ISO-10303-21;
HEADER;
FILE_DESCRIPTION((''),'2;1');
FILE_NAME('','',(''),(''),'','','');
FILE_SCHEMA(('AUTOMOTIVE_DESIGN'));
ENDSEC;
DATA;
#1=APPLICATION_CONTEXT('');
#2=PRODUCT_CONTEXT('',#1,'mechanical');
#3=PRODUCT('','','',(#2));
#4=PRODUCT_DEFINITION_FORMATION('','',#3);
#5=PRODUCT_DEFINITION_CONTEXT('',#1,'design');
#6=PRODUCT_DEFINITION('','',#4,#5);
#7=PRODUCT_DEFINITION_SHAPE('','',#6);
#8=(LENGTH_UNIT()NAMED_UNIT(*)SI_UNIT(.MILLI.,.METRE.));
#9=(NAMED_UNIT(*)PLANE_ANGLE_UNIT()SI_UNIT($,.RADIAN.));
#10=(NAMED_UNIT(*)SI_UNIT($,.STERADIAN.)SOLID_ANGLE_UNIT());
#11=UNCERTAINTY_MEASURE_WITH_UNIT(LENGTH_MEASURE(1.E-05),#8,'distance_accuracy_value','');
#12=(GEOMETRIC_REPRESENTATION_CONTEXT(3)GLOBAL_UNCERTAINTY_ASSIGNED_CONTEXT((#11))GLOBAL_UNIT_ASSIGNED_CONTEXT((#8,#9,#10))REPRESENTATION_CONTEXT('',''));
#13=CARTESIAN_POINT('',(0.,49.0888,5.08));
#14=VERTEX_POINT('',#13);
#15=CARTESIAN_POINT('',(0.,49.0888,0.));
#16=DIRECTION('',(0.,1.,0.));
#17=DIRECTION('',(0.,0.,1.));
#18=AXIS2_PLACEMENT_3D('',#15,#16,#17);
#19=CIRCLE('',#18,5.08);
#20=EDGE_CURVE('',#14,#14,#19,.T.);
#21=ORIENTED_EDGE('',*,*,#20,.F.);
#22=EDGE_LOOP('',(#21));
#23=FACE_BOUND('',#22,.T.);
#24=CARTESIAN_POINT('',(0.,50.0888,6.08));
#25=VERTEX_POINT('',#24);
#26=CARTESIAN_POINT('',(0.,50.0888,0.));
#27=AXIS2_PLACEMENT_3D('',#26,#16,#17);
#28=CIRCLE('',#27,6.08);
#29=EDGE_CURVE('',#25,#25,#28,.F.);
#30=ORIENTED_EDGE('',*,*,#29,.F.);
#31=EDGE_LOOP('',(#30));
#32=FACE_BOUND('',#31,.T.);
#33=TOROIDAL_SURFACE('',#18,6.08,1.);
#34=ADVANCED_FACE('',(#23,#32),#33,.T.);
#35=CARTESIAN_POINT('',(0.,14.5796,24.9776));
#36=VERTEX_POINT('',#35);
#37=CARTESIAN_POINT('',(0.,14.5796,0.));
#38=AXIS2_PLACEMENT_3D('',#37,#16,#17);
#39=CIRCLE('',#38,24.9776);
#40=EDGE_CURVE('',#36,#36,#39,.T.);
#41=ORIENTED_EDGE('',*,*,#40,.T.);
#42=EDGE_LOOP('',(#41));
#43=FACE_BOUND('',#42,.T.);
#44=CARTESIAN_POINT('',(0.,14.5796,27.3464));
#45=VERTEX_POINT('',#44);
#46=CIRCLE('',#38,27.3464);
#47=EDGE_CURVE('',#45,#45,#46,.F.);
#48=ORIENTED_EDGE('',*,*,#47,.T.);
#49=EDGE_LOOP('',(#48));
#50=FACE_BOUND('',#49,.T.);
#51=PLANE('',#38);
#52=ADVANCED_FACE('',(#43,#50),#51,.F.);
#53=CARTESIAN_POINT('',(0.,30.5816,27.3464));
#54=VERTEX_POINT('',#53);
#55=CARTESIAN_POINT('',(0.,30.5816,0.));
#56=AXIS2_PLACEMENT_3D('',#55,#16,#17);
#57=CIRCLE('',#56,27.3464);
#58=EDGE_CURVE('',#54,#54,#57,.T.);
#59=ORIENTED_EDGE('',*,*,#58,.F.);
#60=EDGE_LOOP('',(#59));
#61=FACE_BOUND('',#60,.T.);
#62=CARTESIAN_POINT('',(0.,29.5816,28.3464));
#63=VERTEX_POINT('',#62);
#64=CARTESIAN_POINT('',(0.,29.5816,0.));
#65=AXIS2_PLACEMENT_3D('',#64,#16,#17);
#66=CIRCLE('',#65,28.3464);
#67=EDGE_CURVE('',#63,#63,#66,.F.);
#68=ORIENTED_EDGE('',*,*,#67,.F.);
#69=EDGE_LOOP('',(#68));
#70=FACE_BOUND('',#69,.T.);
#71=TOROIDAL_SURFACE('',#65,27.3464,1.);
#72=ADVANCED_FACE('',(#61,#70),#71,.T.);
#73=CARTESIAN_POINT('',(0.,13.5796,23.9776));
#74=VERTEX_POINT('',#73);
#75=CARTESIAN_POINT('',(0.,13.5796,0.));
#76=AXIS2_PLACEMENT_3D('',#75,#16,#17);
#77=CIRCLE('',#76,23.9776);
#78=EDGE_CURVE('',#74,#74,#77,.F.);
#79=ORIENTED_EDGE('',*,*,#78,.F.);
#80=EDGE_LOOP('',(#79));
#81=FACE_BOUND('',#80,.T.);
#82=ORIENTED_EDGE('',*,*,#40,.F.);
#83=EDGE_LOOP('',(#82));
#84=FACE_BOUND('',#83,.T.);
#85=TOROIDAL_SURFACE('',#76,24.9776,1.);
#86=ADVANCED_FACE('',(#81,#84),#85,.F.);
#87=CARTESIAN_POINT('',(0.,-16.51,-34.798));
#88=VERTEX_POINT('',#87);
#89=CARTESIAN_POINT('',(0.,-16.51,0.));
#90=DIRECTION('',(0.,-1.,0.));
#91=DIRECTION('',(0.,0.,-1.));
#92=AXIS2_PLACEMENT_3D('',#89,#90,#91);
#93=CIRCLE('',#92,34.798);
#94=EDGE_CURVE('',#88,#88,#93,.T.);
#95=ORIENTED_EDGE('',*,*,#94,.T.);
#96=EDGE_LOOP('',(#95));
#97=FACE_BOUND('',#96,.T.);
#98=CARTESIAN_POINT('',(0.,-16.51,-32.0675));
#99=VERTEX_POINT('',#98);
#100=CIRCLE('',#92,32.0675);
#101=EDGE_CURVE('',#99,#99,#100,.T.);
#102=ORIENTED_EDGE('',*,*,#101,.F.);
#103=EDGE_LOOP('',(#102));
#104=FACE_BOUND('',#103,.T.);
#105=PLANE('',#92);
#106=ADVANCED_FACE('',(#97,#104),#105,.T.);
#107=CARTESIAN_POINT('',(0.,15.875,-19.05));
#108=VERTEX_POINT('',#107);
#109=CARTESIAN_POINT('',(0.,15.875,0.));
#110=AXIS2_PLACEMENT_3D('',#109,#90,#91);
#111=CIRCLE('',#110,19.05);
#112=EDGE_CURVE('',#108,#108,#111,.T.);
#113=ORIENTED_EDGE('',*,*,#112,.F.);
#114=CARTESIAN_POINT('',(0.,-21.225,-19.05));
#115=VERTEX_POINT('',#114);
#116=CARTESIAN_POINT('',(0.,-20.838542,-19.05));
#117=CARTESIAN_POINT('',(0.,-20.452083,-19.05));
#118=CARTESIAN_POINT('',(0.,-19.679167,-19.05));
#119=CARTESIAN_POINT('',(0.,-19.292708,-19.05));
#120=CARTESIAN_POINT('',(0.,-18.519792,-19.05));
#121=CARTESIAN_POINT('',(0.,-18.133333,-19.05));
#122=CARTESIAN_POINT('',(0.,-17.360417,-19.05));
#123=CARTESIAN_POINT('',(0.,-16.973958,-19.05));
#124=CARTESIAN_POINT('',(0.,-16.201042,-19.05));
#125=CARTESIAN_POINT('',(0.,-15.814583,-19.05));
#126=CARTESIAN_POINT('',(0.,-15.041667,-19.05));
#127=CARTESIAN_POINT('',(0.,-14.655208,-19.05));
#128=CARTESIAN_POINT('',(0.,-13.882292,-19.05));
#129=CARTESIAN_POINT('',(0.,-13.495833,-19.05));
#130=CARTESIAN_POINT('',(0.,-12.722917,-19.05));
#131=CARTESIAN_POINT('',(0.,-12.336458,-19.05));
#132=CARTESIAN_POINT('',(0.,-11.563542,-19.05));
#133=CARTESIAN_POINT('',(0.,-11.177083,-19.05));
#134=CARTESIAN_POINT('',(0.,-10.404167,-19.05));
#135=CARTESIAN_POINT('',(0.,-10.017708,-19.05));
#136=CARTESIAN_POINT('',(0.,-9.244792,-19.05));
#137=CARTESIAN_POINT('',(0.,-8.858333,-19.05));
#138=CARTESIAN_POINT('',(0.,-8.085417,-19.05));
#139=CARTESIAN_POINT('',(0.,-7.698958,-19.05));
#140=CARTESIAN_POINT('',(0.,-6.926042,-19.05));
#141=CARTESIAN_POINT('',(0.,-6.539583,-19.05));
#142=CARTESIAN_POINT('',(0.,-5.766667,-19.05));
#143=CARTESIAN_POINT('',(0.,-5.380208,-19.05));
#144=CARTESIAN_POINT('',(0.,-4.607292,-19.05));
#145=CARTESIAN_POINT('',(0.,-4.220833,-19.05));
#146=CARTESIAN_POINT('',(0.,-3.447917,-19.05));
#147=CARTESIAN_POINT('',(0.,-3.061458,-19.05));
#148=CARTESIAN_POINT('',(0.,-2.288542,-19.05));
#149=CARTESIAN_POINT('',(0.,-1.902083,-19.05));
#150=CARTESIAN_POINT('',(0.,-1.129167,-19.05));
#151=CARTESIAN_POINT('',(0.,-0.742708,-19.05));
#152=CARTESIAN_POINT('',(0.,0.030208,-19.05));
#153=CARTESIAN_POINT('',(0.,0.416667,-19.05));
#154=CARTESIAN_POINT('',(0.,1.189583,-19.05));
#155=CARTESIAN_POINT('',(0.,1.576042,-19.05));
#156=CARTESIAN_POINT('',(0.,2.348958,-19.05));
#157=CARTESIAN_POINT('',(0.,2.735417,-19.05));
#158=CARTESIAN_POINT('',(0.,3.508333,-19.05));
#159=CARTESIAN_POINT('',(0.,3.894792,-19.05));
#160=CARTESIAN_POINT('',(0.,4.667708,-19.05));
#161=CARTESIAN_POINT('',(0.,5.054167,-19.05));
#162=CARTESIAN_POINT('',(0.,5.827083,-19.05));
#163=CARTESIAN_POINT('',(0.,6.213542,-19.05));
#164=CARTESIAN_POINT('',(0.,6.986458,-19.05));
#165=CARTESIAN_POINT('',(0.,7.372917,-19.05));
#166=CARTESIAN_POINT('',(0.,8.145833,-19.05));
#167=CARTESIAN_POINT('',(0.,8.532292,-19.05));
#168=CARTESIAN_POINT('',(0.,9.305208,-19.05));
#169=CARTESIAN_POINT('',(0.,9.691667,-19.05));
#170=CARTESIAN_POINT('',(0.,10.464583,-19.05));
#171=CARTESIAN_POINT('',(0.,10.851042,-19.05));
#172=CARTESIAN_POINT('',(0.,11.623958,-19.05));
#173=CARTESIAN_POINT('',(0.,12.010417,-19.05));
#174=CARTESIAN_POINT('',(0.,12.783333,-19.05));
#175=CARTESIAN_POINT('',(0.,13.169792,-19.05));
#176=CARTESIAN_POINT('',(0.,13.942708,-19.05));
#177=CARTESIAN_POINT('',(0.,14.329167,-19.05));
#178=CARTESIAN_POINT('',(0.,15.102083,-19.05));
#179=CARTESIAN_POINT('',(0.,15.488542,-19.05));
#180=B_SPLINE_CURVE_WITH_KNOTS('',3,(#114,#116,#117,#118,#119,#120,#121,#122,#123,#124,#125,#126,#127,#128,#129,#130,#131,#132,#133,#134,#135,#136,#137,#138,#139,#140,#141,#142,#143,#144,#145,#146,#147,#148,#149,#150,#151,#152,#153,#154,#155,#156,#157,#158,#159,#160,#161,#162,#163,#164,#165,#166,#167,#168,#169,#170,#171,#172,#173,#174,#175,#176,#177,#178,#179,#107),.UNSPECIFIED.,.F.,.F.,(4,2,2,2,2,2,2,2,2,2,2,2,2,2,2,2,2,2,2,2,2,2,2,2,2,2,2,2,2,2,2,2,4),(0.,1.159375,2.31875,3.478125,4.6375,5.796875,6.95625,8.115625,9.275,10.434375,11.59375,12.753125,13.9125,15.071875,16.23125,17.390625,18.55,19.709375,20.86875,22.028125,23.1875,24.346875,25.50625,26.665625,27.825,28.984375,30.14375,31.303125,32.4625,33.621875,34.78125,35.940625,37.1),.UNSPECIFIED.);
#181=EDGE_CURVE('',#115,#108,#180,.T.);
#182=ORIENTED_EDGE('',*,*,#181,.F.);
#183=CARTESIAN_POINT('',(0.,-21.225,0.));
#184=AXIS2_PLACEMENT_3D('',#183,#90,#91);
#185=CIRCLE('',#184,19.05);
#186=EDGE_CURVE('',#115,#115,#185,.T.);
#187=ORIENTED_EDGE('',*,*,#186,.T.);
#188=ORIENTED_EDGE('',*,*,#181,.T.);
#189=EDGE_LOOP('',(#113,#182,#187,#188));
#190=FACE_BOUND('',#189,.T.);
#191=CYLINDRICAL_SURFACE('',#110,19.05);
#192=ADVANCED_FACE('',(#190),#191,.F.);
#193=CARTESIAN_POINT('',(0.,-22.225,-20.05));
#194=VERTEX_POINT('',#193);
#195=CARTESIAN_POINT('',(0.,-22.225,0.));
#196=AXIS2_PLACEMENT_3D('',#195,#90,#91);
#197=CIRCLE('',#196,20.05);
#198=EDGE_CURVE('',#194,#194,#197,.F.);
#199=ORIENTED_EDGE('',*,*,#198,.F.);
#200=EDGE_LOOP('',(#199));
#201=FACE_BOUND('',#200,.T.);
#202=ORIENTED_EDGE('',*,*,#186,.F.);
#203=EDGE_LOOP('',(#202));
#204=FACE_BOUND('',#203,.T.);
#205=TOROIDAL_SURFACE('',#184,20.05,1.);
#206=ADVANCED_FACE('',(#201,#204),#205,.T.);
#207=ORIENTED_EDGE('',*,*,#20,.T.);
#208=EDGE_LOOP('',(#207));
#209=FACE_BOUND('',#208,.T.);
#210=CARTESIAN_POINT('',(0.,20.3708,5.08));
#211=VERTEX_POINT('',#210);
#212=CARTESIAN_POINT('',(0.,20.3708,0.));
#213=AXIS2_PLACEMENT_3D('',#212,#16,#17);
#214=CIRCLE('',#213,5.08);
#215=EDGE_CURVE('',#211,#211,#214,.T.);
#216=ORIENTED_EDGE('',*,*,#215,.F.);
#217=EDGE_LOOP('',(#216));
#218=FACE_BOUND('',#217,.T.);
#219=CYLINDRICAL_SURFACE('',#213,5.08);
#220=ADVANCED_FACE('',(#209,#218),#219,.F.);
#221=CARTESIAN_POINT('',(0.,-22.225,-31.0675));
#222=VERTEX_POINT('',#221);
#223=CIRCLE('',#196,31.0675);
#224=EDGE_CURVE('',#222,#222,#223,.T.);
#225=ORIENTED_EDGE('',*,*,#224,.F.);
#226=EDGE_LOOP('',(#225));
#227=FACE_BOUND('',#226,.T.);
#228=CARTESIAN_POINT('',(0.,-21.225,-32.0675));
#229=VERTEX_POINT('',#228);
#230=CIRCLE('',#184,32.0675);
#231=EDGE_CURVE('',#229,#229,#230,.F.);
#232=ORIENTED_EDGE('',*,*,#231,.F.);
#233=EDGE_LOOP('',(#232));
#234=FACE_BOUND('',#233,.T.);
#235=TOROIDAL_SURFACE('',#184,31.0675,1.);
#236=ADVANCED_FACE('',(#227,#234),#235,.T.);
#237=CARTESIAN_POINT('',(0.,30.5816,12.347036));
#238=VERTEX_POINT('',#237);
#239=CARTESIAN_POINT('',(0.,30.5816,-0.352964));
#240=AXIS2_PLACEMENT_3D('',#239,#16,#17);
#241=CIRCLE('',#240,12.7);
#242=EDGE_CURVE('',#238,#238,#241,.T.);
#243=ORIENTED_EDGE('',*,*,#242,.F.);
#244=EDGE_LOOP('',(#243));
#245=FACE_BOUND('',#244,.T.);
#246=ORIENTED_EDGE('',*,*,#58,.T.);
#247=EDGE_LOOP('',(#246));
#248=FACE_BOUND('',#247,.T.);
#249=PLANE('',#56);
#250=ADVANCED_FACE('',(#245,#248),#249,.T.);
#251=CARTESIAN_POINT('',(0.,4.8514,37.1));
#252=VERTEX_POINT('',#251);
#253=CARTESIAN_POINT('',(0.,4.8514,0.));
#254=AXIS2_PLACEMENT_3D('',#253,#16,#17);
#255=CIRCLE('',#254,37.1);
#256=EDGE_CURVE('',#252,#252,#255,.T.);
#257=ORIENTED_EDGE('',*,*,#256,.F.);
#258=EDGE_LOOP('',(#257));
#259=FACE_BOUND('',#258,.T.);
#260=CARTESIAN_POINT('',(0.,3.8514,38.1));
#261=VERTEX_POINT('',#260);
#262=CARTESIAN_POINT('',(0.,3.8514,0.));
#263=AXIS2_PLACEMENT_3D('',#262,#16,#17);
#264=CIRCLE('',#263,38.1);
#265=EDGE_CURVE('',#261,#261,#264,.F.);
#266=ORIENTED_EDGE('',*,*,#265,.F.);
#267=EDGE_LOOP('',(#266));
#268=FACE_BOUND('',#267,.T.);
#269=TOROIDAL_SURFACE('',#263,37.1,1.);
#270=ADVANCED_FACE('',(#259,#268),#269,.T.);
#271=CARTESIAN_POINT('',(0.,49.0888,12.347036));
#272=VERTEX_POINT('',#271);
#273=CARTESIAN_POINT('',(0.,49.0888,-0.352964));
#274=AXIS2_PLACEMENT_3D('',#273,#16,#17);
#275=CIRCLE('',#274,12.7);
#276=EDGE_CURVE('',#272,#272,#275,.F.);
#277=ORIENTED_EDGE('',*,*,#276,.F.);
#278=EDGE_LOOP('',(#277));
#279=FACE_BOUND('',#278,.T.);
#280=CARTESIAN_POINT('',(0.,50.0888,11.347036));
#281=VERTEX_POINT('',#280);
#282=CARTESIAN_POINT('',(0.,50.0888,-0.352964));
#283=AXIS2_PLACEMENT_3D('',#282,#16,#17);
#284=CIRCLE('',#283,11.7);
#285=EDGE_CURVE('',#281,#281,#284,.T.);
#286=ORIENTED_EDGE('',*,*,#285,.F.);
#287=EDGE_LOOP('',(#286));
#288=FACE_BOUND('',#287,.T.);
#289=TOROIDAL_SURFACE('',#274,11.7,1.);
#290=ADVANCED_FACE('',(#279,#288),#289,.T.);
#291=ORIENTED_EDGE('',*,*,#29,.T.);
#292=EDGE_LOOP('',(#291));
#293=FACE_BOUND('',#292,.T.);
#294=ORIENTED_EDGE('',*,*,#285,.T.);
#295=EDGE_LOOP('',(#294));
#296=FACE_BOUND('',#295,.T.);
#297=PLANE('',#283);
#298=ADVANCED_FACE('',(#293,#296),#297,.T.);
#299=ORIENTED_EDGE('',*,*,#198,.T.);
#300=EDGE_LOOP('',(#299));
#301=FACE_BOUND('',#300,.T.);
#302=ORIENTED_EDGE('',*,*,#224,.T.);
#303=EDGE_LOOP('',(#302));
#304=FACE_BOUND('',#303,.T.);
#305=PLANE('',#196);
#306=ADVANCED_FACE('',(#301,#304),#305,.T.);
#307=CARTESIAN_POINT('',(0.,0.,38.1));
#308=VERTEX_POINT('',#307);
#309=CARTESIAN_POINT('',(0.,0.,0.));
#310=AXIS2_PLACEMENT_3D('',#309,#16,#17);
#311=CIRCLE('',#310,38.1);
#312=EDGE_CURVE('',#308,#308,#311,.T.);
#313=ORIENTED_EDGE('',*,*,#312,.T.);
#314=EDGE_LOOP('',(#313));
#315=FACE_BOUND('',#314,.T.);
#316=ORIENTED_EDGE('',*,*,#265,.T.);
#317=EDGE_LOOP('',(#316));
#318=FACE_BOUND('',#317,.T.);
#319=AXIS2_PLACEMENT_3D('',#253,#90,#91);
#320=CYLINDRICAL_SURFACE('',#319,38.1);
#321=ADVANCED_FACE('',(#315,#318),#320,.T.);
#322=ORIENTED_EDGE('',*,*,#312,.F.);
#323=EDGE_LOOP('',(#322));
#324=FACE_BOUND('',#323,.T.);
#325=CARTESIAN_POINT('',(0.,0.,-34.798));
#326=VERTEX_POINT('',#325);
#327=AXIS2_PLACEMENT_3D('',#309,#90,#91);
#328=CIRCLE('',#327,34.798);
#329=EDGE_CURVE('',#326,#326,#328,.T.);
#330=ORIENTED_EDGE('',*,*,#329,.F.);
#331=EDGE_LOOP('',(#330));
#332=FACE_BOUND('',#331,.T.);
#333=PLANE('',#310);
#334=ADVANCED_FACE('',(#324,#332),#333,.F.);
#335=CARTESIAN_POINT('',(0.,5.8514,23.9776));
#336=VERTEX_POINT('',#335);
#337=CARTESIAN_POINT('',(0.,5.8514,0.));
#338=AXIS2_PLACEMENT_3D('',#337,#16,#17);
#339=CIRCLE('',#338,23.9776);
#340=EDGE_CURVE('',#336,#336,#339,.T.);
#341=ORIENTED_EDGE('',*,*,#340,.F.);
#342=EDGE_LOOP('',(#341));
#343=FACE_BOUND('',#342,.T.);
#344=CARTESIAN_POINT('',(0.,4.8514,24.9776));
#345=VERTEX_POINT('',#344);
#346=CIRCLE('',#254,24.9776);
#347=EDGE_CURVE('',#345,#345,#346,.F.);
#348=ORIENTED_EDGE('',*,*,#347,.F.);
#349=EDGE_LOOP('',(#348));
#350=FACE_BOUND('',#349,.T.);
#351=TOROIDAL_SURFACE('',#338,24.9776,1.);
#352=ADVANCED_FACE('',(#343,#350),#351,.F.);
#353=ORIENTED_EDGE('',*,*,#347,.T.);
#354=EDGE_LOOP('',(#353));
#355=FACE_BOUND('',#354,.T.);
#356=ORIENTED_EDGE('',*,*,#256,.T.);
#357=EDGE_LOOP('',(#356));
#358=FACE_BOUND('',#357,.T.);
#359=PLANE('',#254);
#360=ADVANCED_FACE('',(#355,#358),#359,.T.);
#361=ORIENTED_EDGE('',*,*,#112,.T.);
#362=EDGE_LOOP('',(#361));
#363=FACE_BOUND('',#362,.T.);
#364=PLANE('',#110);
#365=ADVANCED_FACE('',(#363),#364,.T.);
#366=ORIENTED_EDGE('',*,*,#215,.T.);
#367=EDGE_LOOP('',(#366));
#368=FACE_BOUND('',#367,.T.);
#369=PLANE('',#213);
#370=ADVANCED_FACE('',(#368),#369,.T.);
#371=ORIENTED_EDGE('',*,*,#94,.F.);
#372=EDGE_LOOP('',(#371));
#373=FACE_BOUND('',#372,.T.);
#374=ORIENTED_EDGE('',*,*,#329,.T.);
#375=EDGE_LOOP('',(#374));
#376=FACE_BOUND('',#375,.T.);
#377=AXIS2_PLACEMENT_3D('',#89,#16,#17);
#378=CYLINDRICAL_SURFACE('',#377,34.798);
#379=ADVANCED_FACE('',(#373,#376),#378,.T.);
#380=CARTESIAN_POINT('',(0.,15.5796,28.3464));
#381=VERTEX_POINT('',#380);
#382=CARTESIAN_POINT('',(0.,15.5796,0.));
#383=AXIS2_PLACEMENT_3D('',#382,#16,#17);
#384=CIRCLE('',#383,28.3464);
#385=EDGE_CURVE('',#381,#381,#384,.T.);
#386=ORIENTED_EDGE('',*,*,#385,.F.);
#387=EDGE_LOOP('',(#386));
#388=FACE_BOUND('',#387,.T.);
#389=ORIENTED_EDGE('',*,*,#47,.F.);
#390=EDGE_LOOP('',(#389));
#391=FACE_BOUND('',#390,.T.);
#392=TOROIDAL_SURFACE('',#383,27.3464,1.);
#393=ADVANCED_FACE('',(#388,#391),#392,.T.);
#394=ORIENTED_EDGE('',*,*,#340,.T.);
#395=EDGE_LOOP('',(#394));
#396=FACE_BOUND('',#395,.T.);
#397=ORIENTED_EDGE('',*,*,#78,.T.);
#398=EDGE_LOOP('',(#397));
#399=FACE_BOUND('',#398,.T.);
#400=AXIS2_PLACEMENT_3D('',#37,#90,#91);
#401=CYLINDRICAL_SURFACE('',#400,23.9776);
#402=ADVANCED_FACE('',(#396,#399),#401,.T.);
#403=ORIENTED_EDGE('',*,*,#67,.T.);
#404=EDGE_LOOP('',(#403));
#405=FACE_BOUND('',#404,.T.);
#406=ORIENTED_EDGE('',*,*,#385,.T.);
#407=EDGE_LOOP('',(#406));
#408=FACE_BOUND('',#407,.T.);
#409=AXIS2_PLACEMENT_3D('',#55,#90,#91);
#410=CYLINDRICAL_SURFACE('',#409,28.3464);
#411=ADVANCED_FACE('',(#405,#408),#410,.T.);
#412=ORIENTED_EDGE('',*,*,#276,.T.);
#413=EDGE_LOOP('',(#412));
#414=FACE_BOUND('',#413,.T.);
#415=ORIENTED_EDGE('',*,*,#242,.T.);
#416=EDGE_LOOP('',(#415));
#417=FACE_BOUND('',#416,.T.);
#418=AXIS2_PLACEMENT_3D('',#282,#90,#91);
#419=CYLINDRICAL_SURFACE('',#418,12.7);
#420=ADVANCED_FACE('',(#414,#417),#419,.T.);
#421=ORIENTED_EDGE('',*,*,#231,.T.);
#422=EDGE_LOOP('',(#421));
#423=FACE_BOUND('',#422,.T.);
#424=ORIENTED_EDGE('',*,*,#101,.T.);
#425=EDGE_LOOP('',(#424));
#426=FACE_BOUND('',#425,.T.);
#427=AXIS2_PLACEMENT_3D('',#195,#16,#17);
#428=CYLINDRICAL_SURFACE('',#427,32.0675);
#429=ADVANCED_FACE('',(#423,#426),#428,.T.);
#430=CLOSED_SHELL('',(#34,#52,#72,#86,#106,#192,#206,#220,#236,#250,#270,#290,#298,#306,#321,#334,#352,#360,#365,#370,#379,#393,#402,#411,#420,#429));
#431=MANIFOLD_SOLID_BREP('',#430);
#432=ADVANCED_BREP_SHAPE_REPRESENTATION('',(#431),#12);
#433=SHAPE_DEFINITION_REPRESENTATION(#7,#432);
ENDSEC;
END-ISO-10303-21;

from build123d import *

# Parameters (mm, degrees)
SKETCH1_R           = 38.1
BOSS_EXTRUDE4_DEPTH = 4.8514
SKETCH5_R           = 23.9776
BOSS_EXTRUDE5_DEPTH = 9.7282
SKETCH6_R           = 28.3464
BOSS_EXTRUDE6_DEPTH = 16.002
SKETCH7_R           = 12.7
BOSS_EXTRUDE7_DEPTH = 19.5072
SKETCH8_R           = 34.798
BOSS_EXTRUDE8_DEPTH = 16.51
SKETCH9_R           = 32.0675
BOSS_EXTRUDE9_DEPTH = 5.715
SKETCH10_R          = 19.05
CUT_EXTRUDE1_DEPTH  = 38.1
SKETCH11_R          = 5.08
CUT_EXTRUDE2_DEPTH  = 29.718
FILLET1_R           = 1


with BuildPart() as part:
    # Sketch1 → Boss-Extrude4 (new body)
    with BuildSketch(Plane(origin=(0, 0, 0), x_dir=(1, 0, 0), z_dir=(0, 1, 0))):
        with Locations(Location((0, 0, 0), (0, 0, 270))):
            Circle(SKETCH1_R)
    extrude(amount=BOSS_EXTRUDE4_DEPTH)

    # Sketch5 → Boss-Extrude5 (add)
    with BuildSketch(Plane(origin=(0, 4.8514, 0), x_dir=(1, 0, 0), z_dir=(0, 1, 0))):
        with Locations(Location((0, 0, 0), (0, 0, 270))):
            Circle(SKETCH5_R)
    extrude(amount=BOSS_EXTRUDE5_DEPTH)

    # Sketch6 → Boss-Extrude6 (add)
    with BuildSketch(Plane(origin=(0, 14.5796, 0), x_dir=(1, 0, 0), z_dir=(0, 1, 0))):
        with Locations(Location((0, 0, 0), (0, 0, 270))):
            Circle(SKETCH6_R)
    extrude(amount=BOSS_EXTRUDE6_DEPTH)

    # Sketch7 → Boss-Extrude7 (add)
    with BuildSketch(Plane(origin=(0, 30.5816, 0), x_dir=(1, 0, 0), z_dir=(0, 1, 0))):
        with Locations(Location((0, 0.352964288, 0), (0, 0, 270))):
            Circle(SKETCH7_R)
    extrude(amount=BOSS_EXTRUDE7_DEPTH)

    # Sketch8 → Boss-Extrude8 (add)
    with BuildSketch(Plane.XZ):
        with Locations(Location((0, 0, 0), (0, 0, 270))):
            Circle(SKETCH8_R)
    extrude(amount=BOSS_EXTRUDE8_DEPTH)

    # Sketch9 → Boss-Extrude9 (add)
    with BuildSketch(Plane.XZ.offset(16.51)):
        with Locations(Location((0, 0, 0), (0, 0, 270))):
            Circle(SKETCH9_R)
    extrude(amount=BOSS_EXTRUDE9_DEPTH)

    # Sketch10 → Cut-Extrude1 (cut)
    with BuildSketch(Plane.XZ.offset(22.225)):
        with Locations(Location((0, 0, 0), (0, 0, 270))):
            Circle(SKETCH10_R)
    extrude(amount=-CUT_EXTRUDE1_DEPTH, mode=Mode.SUBTRACT)

    # Sketch11 → Cut-Extrude2 (cut)
    with BuildSketch(Plane(origin=(0, 50.0888, 0), x_dir=(1, 0, 0), z_dir=(0, 1, 0))):
        with Locations(Location((0, 0, 0), (0, 0, 270))):
            Circle(SKETCH11_R)
    extrude(amount=-CUT_EXTRUDE2_DEPTH, mode=Mode.SUBTRACT)

    # Fillet1
    fillet1_edges = [part.edges().sort_by_distance(p)[0] for p in [
        (0, 14.5796, -28.3464),
        (0, 30.5816, -28.3464),
        (0, 50.0888, -13.052964288),
        (0, -22.225, 32.0675),
        (0, -22.225, 19.05),
        (0, 50.0888, -5.08),
        (0, 4.8514, -38.1),
        (0, 4.8514, -23.9776),
        (0, 14.5796, -23.9776),
    ]]
    fillet(fillet1_edges, radius=FILLET1_R)


solid = part.part
